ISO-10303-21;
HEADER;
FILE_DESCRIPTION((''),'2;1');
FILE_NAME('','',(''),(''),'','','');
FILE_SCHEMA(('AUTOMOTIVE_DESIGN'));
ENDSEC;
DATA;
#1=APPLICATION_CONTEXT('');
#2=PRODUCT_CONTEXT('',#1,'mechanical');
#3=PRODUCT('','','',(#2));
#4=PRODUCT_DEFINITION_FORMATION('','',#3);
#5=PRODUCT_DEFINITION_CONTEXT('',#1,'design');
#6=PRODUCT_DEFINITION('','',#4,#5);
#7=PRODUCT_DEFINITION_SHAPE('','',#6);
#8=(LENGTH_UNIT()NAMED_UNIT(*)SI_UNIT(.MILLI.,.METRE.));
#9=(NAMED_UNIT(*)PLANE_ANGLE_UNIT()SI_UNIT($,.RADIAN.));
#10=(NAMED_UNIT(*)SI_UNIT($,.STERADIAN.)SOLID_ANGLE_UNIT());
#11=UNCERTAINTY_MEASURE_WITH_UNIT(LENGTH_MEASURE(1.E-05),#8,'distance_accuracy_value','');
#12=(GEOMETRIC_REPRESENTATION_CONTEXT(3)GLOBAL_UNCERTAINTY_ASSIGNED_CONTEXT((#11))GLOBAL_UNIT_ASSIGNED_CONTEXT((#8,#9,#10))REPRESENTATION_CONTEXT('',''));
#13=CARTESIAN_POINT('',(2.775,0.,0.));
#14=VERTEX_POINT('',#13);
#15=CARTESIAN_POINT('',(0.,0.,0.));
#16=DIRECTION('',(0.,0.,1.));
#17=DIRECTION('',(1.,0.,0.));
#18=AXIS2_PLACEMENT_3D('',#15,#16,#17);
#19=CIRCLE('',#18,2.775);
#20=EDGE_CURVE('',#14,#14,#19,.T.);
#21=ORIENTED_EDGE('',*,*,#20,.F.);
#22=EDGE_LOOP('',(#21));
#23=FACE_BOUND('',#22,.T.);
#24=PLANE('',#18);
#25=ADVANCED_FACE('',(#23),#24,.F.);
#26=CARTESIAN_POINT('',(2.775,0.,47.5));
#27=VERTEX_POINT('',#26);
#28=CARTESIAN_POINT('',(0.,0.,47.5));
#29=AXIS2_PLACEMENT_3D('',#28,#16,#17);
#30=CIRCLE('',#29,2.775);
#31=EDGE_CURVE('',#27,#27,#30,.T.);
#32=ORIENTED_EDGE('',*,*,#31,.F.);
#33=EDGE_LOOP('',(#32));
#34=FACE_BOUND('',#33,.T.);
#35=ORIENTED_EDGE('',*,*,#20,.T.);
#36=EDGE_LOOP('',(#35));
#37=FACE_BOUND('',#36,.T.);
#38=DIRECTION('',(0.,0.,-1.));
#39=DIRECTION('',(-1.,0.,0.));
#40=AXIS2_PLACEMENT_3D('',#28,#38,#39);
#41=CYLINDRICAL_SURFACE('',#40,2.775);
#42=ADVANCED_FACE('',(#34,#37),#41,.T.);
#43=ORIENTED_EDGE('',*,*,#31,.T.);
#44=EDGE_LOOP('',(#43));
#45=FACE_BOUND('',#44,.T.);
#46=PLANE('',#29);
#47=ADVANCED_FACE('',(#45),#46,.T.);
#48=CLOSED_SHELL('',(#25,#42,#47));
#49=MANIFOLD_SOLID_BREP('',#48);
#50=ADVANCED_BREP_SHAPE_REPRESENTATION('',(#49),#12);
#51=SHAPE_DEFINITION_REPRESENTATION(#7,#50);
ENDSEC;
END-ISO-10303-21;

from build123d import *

# Parameters (mm, degrees)
SKETCH1_R           = 2.775
BOSS_EXTRUDE1_DEPTH = 47.5


with BuildPart() as part:
    # Sketch1 → Boss-Extrude1 (new body)
    with BuildSketch(Plane.XY):
        Circle(SKETCH1_R)
    extrude(amount=BOSS_EXTRUDE1_DEPTH)


solid = part.part
